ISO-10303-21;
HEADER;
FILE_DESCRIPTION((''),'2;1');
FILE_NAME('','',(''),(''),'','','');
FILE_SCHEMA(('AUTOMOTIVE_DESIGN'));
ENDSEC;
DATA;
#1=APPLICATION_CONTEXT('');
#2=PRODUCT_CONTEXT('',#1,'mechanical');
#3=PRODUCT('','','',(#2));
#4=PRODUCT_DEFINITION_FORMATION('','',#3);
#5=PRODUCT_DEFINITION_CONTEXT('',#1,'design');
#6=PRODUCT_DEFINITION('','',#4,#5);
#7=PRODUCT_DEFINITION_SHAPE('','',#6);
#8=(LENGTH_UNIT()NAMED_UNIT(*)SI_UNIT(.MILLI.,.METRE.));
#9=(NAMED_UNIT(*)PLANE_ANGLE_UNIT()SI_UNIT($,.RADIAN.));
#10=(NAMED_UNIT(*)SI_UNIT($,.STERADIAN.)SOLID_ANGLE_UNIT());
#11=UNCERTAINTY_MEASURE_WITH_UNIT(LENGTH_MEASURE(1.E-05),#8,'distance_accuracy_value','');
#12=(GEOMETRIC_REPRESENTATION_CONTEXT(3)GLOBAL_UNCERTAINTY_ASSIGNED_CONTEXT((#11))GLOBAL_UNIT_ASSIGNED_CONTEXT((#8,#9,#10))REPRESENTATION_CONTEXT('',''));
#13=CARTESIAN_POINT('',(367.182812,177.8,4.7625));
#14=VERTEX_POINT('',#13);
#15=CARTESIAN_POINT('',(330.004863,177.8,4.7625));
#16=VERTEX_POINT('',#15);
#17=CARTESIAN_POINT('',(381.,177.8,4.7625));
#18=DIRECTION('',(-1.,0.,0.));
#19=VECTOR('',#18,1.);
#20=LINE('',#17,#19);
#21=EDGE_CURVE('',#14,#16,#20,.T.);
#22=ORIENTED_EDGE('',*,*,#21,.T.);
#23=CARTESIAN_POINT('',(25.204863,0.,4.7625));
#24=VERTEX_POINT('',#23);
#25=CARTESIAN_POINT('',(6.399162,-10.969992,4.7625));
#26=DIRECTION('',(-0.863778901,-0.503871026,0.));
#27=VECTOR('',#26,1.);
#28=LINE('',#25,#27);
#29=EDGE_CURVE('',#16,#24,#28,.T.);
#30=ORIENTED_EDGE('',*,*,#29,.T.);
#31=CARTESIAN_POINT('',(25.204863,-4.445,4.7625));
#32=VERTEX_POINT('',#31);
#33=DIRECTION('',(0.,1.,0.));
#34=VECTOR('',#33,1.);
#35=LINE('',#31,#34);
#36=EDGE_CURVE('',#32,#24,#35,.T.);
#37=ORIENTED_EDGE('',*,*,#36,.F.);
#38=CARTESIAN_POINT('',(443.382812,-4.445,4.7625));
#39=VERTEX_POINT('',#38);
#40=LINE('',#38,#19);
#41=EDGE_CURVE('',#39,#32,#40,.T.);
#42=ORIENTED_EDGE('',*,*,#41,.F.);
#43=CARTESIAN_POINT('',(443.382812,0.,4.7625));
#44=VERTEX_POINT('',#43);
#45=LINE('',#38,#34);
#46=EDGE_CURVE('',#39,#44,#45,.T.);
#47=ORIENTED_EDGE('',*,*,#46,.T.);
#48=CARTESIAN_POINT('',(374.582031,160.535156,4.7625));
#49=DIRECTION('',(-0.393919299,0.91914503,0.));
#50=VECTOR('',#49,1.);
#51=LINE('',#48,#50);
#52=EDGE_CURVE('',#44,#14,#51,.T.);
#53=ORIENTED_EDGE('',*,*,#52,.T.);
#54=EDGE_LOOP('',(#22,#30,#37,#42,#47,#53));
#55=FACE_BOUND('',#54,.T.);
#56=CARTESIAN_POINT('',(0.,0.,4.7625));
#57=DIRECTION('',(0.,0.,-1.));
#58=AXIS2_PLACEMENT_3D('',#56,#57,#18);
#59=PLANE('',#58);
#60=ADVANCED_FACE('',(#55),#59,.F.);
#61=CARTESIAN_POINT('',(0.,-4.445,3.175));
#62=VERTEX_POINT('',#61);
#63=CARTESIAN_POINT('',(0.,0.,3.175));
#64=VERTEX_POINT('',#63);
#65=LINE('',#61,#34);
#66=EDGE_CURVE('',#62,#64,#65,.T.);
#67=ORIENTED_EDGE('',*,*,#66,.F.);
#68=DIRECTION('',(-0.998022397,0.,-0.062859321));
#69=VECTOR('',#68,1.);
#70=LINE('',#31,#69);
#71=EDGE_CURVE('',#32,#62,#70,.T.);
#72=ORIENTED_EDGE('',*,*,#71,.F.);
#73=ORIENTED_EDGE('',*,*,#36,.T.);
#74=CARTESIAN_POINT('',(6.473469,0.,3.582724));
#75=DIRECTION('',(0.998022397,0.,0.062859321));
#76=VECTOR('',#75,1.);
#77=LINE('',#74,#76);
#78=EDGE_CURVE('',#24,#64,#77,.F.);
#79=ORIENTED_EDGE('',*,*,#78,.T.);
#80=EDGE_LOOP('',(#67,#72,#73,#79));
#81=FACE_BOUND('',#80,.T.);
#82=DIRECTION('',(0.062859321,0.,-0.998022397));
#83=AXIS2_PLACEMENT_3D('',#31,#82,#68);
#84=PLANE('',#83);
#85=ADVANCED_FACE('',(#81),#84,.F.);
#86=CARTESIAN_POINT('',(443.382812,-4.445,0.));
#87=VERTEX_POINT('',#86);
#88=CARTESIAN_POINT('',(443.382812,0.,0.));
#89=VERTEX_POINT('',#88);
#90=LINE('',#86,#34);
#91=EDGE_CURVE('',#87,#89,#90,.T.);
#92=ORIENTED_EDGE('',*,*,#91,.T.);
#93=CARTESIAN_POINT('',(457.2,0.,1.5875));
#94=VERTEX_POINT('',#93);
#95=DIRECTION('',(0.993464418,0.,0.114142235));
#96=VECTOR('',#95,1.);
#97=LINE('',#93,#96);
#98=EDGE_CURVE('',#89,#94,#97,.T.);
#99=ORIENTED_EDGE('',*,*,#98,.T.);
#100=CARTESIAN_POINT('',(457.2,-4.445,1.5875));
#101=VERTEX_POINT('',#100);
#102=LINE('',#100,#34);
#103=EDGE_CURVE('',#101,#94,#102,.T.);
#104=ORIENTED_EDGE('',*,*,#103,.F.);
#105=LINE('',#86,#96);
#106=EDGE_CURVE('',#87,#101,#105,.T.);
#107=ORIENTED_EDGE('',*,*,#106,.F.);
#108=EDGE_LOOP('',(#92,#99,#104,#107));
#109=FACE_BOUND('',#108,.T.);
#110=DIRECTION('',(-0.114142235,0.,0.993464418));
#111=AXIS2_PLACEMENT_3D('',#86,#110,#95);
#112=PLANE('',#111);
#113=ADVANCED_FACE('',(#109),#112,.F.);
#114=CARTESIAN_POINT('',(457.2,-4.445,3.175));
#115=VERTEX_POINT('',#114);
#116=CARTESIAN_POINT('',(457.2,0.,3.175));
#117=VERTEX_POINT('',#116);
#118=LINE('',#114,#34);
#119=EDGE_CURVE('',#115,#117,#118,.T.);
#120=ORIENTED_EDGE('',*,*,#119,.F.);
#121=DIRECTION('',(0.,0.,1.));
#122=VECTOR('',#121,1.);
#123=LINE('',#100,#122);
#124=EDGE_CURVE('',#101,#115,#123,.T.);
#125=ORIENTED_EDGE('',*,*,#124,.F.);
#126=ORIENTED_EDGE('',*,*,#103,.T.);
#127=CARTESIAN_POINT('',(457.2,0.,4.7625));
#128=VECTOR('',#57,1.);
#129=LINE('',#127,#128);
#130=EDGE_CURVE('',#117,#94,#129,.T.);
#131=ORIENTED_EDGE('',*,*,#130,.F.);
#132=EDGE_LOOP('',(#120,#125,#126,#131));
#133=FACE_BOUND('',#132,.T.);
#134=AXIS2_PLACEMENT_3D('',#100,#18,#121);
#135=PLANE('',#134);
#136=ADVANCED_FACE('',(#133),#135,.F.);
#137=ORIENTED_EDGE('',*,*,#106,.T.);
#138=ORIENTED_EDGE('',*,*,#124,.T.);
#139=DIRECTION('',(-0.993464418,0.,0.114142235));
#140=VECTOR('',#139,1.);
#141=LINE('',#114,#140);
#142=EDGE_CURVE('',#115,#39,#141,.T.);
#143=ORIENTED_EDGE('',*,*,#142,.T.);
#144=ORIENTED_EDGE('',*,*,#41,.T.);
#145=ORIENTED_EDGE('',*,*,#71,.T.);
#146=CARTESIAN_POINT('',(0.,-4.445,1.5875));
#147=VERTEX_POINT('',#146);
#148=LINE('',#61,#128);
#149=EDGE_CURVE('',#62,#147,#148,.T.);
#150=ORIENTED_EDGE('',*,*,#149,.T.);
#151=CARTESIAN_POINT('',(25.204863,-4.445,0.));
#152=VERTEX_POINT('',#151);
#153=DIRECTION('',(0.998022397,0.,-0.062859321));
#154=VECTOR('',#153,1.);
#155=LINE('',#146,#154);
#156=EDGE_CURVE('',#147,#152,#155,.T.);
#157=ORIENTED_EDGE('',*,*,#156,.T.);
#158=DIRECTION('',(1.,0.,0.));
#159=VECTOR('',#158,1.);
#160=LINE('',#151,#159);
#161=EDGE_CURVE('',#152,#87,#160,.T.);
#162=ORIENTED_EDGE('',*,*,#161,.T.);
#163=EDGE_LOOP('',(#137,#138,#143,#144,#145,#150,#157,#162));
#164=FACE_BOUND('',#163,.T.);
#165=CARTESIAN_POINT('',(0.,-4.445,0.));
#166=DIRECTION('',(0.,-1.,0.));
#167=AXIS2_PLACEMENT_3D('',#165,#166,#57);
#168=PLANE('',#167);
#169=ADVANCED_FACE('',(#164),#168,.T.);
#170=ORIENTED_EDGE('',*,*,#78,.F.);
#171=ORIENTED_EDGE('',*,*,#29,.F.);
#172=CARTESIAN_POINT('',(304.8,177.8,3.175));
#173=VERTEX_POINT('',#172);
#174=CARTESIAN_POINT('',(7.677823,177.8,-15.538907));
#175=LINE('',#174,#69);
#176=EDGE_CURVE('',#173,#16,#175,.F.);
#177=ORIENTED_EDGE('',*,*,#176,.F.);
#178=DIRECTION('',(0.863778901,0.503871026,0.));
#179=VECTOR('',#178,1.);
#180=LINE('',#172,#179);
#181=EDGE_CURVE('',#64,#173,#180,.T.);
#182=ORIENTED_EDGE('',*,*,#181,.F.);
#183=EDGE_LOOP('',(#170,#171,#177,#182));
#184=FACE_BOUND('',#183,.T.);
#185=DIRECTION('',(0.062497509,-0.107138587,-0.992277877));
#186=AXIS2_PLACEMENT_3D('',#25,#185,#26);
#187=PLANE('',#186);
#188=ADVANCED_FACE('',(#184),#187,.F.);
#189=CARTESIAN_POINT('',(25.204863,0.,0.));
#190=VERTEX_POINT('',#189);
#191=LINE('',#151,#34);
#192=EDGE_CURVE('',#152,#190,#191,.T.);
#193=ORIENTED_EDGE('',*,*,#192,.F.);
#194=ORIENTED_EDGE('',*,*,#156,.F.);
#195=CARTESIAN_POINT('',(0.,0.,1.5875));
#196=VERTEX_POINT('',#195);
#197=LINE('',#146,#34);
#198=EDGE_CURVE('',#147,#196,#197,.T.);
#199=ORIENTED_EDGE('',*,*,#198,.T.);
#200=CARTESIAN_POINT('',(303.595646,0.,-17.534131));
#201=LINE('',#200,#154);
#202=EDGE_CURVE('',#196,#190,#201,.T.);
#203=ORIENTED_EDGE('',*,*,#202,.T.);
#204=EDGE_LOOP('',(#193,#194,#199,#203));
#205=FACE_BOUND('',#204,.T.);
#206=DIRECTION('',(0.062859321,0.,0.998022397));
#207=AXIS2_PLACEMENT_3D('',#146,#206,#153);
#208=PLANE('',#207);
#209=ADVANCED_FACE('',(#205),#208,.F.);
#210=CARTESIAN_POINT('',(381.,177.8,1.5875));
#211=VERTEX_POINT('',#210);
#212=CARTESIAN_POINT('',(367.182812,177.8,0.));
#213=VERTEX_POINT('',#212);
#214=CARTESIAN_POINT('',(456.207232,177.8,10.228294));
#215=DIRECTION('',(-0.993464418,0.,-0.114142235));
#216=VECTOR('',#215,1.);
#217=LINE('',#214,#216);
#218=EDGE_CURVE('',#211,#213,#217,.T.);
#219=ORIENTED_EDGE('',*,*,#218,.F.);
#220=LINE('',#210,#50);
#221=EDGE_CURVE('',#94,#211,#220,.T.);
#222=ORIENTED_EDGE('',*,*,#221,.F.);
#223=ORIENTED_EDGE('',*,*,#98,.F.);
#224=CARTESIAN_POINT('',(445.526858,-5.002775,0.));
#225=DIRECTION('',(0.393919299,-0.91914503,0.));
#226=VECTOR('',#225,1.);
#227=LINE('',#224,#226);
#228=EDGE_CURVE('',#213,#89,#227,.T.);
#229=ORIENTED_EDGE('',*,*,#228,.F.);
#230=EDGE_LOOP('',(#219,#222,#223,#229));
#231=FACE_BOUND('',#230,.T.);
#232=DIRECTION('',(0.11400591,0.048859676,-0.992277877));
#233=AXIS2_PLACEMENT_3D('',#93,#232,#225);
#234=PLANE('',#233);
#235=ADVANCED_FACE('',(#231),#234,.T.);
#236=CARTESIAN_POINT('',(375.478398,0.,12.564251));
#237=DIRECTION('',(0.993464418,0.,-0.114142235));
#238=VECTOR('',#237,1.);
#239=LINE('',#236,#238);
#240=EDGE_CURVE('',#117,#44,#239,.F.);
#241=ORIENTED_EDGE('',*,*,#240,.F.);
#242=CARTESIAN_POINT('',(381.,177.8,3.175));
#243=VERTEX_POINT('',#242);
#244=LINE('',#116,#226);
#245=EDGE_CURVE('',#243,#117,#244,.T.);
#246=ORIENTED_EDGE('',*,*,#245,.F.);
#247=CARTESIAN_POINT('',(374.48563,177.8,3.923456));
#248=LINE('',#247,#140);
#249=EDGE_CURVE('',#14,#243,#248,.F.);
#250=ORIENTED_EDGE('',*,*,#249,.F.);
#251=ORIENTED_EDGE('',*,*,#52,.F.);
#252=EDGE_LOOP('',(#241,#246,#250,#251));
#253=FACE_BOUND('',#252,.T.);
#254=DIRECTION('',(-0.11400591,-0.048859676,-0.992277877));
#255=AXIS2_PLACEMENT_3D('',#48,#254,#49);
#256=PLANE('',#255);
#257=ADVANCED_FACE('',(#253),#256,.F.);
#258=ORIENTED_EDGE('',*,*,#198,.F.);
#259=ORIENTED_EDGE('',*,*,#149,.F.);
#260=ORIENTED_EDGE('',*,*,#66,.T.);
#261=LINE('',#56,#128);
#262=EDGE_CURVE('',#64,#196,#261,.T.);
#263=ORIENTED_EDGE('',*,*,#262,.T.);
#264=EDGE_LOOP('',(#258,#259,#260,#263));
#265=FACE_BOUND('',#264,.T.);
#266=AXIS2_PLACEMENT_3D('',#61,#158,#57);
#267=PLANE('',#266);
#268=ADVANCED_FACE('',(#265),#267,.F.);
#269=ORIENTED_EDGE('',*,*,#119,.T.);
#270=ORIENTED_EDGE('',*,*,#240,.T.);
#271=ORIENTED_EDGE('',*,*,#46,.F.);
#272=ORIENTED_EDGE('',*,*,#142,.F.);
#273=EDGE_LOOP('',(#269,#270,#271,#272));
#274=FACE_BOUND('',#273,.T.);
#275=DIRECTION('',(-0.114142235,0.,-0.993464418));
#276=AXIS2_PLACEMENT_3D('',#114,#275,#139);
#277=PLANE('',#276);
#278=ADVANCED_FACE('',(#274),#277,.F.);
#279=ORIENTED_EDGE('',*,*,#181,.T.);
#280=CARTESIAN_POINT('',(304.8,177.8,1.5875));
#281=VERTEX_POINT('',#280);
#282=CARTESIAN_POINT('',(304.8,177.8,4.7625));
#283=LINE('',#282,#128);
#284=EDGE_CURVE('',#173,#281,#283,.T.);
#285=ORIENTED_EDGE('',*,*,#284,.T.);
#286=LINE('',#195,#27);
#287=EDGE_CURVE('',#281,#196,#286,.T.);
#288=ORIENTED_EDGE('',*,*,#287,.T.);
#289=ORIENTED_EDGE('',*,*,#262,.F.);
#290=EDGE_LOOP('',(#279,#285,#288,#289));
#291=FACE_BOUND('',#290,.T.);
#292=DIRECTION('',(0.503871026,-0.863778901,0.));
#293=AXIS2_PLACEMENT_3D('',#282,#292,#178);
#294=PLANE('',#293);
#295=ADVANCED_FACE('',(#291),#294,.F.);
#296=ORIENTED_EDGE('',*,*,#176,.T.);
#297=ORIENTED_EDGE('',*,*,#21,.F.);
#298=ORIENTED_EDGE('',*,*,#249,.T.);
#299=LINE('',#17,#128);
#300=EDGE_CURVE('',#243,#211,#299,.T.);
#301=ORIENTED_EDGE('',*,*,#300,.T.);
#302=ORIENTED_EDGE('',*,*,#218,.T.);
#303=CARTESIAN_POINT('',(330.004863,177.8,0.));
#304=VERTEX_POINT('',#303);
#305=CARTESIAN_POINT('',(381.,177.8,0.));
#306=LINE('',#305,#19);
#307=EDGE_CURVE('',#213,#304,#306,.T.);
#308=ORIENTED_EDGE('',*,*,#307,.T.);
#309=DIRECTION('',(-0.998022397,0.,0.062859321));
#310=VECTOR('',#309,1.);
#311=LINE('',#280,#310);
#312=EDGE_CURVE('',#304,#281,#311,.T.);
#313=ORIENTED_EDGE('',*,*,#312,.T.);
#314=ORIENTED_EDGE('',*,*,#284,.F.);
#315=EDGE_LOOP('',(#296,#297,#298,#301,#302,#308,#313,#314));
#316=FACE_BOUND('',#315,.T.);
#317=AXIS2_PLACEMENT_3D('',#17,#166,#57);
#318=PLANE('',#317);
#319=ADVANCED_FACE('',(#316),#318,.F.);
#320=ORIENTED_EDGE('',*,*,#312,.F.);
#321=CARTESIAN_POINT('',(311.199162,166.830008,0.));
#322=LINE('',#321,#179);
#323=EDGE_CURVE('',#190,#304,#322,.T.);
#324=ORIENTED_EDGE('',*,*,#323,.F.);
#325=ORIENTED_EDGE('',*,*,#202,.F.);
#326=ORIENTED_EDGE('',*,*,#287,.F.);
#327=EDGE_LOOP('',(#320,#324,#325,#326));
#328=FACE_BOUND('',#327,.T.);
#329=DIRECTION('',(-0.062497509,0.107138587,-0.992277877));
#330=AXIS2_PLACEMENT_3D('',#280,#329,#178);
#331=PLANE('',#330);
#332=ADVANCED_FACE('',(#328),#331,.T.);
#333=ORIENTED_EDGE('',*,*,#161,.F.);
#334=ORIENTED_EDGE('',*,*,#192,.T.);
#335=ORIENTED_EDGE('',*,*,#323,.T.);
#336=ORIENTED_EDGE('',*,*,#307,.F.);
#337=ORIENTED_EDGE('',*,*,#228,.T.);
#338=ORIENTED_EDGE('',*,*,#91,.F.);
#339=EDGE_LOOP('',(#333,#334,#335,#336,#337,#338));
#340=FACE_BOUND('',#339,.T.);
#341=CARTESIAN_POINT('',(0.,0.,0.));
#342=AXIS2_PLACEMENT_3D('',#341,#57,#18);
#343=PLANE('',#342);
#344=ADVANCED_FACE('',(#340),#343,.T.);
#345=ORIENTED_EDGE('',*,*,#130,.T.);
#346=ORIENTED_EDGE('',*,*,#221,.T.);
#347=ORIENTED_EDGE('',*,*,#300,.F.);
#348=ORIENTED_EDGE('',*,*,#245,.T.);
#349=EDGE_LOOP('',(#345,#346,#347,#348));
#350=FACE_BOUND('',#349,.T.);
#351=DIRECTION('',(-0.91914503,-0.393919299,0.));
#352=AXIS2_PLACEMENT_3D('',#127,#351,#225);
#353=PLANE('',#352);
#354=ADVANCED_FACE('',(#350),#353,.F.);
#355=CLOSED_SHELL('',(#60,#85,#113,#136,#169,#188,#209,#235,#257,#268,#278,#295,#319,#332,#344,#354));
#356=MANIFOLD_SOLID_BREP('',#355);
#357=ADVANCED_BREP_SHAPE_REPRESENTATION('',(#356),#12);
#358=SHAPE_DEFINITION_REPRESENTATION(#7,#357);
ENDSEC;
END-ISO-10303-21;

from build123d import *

# Parameters (mm, degrees)
BOSS_EXTRUDE1_DEPTH = 4.7625
CHAMFER1_SIZE       = 1.5875
CHAMFER1_SIZE2      = 12.7
CHAMFER2_SIZE       = 1.5875
CHAMFER2_SIZE2      = 12.7
BOSS_EXTRUDE2_DEPTH = 4.445


with BuildPart() as part:
    # Sketch1 → Boss-Extrude1 (new body)
    with BuildSketch(Plane.XY):
        Polygon((0, 0), (457.2, 0), (381, 177.8), (304.8, 177.8), align=None)
    extrude(amount=BOSS_EXTRUDE1_DEPTH)

    # Chamfer1
    chamfer1_edges = [part.edges().sort_by_distance(p)[0] for p in [
        (152.4, 88.9, 4.7625),
        (152.4, 88.9, 0),
    ]]
    chamfer1_side = [part.faces().sort_by_distance(p)[0] for p in [
        (152.4, 88.9, 2.38125),
    ]]
    chamfer(chamfer1_edges, length=CHAMFER1_SIZE, length2=CHAMFER1_SIZE2, reference=chamfer1_side[0])

    # Chamfer2
    chamfer2_edges = [part.edges().sort_by_distance(p)[0] for p in [
        (419.1, 88.9, 4.7625),
        (419.1, 88.9, 0),
    ]]
    chamfer2_side = [part.faces().sort_by_distance(p)[0] for p in [
        (419.1, 88.9, 2.38125),
    ]]
    chamfer(chamfer2_edges, length=CHAMFER2_SIZE, length2=CHAMFER2_SIZE2, reference=chamfer2_side[0])

    # Sketch2 → Boss-Extrude2 (add)
    with BuildSketch(Plane.XZ):
        Polygon((25.204862667, 0), (443.382811651, 0), (457.2, 1.5875), (457.2, 3.175), (443.382811651, 4.7625), (25.204862667, 4.7625), (0, 3.175), (0, 1.5875), align=None)
    extrude(amount=BOSS_EXTRUDE2_DEPTH)


solid = part.part
